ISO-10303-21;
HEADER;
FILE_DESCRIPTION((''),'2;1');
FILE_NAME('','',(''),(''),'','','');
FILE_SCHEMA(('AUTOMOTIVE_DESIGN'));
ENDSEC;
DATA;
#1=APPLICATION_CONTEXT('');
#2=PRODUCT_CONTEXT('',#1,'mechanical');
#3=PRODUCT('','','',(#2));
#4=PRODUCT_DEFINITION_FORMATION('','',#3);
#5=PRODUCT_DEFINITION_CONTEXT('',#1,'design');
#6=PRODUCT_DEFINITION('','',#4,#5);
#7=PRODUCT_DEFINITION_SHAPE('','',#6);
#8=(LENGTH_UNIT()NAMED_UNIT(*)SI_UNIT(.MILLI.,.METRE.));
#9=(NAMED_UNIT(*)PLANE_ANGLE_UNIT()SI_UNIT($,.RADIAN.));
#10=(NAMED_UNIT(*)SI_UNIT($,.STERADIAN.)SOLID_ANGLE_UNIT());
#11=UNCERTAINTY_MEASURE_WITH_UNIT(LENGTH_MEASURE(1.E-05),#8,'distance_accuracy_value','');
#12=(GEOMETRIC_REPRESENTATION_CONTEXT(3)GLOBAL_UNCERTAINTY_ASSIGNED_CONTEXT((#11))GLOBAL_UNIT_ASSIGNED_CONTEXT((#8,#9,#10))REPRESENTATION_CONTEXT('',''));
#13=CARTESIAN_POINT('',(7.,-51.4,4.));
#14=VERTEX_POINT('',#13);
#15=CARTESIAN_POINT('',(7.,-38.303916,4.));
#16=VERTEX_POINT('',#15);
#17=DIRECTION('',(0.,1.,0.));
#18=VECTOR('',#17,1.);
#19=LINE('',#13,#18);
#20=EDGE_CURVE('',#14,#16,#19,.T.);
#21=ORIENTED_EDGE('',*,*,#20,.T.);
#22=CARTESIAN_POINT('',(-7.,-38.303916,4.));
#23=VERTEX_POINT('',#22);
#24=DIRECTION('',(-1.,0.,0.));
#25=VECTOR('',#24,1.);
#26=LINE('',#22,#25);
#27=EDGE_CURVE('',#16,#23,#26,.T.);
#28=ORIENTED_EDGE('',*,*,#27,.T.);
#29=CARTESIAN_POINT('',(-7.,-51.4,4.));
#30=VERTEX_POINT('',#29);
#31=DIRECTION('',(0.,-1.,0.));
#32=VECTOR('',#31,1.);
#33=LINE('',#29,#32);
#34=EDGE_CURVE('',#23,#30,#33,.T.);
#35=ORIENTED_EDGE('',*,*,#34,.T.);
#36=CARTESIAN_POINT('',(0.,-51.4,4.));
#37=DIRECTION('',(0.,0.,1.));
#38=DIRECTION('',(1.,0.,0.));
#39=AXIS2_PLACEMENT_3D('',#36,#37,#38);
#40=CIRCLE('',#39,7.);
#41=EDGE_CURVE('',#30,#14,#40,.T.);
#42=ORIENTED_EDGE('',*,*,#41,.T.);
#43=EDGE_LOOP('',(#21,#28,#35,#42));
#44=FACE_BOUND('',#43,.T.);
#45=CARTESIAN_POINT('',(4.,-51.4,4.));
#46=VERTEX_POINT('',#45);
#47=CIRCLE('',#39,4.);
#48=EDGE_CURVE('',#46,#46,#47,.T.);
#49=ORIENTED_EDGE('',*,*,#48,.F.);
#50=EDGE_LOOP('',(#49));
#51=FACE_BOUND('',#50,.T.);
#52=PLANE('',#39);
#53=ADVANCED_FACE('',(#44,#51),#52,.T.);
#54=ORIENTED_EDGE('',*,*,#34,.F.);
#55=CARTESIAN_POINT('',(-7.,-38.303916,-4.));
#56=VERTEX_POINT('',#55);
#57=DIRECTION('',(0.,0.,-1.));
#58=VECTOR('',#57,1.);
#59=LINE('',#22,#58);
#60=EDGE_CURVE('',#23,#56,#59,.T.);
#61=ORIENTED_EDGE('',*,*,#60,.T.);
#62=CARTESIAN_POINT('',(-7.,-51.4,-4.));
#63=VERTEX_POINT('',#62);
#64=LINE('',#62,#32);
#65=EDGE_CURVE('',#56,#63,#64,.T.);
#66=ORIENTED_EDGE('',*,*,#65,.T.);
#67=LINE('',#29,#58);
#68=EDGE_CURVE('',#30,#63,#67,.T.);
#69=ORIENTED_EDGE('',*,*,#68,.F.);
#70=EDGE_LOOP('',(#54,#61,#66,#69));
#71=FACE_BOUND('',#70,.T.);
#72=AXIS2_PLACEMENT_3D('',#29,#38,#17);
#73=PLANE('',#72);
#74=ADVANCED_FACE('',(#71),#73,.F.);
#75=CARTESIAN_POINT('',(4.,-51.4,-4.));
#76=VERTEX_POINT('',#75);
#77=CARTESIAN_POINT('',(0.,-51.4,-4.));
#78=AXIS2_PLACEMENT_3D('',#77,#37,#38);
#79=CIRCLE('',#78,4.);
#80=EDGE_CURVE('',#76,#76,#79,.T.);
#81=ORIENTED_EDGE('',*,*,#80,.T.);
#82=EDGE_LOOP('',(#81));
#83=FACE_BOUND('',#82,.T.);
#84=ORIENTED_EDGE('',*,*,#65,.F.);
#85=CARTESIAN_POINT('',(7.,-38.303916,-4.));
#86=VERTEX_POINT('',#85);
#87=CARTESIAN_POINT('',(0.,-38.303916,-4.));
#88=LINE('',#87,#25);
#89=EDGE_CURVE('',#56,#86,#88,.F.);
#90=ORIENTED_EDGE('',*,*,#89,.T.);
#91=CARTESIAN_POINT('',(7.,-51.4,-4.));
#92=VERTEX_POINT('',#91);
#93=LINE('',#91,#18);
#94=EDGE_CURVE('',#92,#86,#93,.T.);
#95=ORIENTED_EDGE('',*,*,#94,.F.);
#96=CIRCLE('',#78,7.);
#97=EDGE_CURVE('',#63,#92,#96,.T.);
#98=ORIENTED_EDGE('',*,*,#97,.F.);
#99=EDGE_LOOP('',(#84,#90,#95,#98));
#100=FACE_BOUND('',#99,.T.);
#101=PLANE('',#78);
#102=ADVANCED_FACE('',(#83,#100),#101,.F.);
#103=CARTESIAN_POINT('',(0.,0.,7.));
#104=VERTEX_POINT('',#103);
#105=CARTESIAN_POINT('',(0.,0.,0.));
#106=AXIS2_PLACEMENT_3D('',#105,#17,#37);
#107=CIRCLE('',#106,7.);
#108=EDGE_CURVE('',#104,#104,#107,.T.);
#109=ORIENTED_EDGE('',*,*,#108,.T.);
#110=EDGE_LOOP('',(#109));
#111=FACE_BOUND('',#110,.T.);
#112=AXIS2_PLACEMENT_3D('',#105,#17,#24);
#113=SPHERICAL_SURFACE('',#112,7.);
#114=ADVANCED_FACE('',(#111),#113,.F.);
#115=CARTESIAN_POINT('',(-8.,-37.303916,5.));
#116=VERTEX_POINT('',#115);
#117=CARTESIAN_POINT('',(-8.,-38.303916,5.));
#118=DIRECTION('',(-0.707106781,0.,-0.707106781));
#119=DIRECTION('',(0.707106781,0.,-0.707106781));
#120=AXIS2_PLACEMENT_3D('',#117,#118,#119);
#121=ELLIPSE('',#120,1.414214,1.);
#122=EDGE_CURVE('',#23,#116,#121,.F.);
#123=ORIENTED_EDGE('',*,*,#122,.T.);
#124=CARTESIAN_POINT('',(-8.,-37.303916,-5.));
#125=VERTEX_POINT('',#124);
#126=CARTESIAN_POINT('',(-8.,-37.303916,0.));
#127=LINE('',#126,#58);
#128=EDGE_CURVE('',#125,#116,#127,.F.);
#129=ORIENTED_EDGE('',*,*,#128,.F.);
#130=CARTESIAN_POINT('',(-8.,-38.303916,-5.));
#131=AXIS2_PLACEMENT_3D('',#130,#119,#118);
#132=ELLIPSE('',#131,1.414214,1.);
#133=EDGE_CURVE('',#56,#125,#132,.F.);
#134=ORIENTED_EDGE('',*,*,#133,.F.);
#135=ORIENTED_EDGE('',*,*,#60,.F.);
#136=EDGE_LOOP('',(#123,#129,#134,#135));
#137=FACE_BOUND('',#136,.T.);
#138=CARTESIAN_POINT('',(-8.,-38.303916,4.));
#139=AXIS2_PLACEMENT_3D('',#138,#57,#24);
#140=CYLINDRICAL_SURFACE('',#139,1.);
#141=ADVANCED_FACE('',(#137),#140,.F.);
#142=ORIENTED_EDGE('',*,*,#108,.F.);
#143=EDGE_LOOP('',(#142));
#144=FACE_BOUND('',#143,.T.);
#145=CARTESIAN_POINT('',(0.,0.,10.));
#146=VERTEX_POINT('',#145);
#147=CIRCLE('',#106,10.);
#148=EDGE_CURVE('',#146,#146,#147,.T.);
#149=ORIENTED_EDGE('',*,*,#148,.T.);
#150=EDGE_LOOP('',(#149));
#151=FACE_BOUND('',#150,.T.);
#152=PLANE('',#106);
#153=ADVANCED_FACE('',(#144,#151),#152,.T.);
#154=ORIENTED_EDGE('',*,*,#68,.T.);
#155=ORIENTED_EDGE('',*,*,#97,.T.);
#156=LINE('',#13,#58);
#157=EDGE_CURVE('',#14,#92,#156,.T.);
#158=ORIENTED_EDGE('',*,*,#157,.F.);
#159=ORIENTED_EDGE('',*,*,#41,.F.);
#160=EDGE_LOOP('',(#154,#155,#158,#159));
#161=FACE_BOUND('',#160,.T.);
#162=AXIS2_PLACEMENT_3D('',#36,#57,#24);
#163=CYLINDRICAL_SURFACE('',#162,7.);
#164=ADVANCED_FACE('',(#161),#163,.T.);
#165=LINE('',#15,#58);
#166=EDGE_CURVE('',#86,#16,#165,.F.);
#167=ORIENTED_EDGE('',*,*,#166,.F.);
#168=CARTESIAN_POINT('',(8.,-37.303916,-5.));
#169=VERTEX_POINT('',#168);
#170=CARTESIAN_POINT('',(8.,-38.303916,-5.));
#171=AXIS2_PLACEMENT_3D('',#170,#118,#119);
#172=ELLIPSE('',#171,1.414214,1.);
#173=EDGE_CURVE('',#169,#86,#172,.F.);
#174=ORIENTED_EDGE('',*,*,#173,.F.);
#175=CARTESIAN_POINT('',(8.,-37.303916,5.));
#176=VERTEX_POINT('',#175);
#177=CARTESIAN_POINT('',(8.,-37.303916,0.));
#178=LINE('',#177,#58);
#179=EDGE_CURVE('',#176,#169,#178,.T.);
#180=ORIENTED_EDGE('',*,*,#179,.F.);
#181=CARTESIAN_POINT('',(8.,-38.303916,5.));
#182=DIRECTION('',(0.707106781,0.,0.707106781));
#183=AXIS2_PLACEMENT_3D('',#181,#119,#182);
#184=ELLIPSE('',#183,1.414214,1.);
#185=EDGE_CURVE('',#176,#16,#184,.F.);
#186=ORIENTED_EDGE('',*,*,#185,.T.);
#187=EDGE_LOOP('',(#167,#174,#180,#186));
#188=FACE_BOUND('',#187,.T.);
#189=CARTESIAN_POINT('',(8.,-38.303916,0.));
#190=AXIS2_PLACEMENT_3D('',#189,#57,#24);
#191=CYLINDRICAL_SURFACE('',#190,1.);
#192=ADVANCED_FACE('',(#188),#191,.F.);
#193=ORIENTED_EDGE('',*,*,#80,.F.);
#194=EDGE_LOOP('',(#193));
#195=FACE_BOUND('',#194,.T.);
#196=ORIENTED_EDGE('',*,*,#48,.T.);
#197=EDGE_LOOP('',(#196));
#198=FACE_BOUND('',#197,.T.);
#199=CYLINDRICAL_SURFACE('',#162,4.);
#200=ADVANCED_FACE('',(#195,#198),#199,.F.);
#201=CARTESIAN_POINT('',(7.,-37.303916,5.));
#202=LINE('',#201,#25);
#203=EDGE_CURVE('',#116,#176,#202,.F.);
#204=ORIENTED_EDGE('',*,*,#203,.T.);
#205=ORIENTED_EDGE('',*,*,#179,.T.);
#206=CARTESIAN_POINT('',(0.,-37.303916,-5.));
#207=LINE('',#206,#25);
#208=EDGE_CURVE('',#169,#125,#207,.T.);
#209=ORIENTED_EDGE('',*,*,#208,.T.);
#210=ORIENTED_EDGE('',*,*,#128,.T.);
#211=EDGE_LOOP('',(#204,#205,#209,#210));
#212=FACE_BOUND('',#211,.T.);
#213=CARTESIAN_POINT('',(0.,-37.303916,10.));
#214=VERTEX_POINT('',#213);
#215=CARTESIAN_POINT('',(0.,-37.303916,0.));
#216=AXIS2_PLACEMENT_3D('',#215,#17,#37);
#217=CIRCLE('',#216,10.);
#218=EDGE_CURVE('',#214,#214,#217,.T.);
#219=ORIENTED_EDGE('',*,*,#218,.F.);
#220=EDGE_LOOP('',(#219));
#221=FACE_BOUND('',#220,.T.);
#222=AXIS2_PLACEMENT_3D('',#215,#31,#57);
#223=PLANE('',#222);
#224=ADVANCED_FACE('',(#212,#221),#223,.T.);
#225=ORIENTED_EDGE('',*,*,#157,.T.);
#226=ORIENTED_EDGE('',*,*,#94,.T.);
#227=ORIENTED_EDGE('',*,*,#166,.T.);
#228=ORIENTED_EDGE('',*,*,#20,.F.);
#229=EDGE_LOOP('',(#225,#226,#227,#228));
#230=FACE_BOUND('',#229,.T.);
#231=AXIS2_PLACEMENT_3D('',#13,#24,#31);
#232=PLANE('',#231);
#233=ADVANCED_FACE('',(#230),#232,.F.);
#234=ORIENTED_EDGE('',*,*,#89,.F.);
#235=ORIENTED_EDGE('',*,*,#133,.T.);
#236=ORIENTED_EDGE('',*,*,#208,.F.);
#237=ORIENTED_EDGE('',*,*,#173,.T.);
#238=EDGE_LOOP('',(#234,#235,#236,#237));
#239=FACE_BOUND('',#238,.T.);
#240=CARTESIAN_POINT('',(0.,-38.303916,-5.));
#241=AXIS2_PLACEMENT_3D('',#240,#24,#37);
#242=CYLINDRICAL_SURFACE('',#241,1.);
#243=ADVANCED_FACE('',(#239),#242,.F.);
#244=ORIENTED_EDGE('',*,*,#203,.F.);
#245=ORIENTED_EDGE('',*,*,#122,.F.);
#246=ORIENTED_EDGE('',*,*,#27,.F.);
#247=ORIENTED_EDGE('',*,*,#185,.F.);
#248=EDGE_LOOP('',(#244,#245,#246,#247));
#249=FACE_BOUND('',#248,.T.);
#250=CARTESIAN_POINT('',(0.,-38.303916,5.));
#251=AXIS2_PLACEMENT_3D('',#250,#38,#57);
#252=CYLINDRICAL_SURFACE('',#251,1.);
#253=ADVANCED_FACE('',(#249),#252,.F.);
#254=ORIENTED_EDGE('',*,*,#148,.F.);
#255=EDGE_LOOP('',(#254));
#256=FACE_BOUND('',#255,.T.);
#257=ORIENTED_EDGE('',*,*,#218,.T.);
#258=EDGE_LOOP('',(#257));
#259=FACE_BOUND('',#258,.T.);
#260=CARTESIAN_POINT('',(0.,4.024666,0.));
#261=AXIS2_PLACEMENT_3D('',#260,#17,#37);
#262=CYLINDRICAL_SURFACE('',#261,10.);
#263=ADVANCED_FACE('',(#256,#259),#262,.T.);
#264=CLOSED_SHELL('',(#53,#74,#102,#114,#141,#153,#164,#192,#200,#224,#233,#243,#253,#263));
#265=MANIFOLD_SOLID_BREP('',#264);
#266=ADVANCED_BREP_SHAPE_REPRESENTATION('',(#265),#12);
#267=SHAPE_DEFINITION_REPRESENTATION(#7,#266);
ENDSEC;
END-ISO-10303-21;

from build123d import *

# Parameters (mm, degrees)
SKETCH2_R           = 4
BOSS_EXTRUDE1_DEPTH = 4
FILLET1_R           = 1


with BuildPart() as part:
    # Sketch1 → Revolve1 (revolve)
    with BuildSketch(Plane.XY):
        with BuildLine():
            ThreePointArc((0, -7), (-4.949747468, -4.949747468), (-7, 0))
            Line((-7, 0), (-10, 0))
            Line((-10, 0), (-10, -37.303915827))
            Line((-10, -37.303915827), (0, -37.303915827))
            Line((0, -37.303915827), (0, -7))
        make_face()
    revolve(axis=Axis((0, 4.024665624, 0), (0, -1, 0)))

    # Sketch2 → Boss-Extrude1 (add, symmetric)
    with BuildSketch(Plane.XY):
        with BuildLine():
            Line((-7, -51.4), (-7, -37.303915827))
            Line((-7, -37.303915827), (7, -37.303915827))
            Line((7, -37.303915827), (7, -51.4))
            ThreePointArc((7, -51.4), (0, -58.4), (-7, -51.4))
        make_face()
        with Locations((0, -51.4)):
            Circle(SKETCH2_R, mode=Mode.SUBTRACT)
    extrude(amount=BOSS_EXTRUDE1_DEPTH, both=True)

    # Fillet1
    fillet1_edges = [part.edges().sort_by_distance(p)[0] for p in [
        (0, -37.303915827, 4),
        (0, -37.303915827, -4),
        (7, -37.303915827, 0),
        (-7, -37.303915827, 0),
    ]]
    fillet(fillet1_edges, radius=FILLET1_R)


solid = part.part
